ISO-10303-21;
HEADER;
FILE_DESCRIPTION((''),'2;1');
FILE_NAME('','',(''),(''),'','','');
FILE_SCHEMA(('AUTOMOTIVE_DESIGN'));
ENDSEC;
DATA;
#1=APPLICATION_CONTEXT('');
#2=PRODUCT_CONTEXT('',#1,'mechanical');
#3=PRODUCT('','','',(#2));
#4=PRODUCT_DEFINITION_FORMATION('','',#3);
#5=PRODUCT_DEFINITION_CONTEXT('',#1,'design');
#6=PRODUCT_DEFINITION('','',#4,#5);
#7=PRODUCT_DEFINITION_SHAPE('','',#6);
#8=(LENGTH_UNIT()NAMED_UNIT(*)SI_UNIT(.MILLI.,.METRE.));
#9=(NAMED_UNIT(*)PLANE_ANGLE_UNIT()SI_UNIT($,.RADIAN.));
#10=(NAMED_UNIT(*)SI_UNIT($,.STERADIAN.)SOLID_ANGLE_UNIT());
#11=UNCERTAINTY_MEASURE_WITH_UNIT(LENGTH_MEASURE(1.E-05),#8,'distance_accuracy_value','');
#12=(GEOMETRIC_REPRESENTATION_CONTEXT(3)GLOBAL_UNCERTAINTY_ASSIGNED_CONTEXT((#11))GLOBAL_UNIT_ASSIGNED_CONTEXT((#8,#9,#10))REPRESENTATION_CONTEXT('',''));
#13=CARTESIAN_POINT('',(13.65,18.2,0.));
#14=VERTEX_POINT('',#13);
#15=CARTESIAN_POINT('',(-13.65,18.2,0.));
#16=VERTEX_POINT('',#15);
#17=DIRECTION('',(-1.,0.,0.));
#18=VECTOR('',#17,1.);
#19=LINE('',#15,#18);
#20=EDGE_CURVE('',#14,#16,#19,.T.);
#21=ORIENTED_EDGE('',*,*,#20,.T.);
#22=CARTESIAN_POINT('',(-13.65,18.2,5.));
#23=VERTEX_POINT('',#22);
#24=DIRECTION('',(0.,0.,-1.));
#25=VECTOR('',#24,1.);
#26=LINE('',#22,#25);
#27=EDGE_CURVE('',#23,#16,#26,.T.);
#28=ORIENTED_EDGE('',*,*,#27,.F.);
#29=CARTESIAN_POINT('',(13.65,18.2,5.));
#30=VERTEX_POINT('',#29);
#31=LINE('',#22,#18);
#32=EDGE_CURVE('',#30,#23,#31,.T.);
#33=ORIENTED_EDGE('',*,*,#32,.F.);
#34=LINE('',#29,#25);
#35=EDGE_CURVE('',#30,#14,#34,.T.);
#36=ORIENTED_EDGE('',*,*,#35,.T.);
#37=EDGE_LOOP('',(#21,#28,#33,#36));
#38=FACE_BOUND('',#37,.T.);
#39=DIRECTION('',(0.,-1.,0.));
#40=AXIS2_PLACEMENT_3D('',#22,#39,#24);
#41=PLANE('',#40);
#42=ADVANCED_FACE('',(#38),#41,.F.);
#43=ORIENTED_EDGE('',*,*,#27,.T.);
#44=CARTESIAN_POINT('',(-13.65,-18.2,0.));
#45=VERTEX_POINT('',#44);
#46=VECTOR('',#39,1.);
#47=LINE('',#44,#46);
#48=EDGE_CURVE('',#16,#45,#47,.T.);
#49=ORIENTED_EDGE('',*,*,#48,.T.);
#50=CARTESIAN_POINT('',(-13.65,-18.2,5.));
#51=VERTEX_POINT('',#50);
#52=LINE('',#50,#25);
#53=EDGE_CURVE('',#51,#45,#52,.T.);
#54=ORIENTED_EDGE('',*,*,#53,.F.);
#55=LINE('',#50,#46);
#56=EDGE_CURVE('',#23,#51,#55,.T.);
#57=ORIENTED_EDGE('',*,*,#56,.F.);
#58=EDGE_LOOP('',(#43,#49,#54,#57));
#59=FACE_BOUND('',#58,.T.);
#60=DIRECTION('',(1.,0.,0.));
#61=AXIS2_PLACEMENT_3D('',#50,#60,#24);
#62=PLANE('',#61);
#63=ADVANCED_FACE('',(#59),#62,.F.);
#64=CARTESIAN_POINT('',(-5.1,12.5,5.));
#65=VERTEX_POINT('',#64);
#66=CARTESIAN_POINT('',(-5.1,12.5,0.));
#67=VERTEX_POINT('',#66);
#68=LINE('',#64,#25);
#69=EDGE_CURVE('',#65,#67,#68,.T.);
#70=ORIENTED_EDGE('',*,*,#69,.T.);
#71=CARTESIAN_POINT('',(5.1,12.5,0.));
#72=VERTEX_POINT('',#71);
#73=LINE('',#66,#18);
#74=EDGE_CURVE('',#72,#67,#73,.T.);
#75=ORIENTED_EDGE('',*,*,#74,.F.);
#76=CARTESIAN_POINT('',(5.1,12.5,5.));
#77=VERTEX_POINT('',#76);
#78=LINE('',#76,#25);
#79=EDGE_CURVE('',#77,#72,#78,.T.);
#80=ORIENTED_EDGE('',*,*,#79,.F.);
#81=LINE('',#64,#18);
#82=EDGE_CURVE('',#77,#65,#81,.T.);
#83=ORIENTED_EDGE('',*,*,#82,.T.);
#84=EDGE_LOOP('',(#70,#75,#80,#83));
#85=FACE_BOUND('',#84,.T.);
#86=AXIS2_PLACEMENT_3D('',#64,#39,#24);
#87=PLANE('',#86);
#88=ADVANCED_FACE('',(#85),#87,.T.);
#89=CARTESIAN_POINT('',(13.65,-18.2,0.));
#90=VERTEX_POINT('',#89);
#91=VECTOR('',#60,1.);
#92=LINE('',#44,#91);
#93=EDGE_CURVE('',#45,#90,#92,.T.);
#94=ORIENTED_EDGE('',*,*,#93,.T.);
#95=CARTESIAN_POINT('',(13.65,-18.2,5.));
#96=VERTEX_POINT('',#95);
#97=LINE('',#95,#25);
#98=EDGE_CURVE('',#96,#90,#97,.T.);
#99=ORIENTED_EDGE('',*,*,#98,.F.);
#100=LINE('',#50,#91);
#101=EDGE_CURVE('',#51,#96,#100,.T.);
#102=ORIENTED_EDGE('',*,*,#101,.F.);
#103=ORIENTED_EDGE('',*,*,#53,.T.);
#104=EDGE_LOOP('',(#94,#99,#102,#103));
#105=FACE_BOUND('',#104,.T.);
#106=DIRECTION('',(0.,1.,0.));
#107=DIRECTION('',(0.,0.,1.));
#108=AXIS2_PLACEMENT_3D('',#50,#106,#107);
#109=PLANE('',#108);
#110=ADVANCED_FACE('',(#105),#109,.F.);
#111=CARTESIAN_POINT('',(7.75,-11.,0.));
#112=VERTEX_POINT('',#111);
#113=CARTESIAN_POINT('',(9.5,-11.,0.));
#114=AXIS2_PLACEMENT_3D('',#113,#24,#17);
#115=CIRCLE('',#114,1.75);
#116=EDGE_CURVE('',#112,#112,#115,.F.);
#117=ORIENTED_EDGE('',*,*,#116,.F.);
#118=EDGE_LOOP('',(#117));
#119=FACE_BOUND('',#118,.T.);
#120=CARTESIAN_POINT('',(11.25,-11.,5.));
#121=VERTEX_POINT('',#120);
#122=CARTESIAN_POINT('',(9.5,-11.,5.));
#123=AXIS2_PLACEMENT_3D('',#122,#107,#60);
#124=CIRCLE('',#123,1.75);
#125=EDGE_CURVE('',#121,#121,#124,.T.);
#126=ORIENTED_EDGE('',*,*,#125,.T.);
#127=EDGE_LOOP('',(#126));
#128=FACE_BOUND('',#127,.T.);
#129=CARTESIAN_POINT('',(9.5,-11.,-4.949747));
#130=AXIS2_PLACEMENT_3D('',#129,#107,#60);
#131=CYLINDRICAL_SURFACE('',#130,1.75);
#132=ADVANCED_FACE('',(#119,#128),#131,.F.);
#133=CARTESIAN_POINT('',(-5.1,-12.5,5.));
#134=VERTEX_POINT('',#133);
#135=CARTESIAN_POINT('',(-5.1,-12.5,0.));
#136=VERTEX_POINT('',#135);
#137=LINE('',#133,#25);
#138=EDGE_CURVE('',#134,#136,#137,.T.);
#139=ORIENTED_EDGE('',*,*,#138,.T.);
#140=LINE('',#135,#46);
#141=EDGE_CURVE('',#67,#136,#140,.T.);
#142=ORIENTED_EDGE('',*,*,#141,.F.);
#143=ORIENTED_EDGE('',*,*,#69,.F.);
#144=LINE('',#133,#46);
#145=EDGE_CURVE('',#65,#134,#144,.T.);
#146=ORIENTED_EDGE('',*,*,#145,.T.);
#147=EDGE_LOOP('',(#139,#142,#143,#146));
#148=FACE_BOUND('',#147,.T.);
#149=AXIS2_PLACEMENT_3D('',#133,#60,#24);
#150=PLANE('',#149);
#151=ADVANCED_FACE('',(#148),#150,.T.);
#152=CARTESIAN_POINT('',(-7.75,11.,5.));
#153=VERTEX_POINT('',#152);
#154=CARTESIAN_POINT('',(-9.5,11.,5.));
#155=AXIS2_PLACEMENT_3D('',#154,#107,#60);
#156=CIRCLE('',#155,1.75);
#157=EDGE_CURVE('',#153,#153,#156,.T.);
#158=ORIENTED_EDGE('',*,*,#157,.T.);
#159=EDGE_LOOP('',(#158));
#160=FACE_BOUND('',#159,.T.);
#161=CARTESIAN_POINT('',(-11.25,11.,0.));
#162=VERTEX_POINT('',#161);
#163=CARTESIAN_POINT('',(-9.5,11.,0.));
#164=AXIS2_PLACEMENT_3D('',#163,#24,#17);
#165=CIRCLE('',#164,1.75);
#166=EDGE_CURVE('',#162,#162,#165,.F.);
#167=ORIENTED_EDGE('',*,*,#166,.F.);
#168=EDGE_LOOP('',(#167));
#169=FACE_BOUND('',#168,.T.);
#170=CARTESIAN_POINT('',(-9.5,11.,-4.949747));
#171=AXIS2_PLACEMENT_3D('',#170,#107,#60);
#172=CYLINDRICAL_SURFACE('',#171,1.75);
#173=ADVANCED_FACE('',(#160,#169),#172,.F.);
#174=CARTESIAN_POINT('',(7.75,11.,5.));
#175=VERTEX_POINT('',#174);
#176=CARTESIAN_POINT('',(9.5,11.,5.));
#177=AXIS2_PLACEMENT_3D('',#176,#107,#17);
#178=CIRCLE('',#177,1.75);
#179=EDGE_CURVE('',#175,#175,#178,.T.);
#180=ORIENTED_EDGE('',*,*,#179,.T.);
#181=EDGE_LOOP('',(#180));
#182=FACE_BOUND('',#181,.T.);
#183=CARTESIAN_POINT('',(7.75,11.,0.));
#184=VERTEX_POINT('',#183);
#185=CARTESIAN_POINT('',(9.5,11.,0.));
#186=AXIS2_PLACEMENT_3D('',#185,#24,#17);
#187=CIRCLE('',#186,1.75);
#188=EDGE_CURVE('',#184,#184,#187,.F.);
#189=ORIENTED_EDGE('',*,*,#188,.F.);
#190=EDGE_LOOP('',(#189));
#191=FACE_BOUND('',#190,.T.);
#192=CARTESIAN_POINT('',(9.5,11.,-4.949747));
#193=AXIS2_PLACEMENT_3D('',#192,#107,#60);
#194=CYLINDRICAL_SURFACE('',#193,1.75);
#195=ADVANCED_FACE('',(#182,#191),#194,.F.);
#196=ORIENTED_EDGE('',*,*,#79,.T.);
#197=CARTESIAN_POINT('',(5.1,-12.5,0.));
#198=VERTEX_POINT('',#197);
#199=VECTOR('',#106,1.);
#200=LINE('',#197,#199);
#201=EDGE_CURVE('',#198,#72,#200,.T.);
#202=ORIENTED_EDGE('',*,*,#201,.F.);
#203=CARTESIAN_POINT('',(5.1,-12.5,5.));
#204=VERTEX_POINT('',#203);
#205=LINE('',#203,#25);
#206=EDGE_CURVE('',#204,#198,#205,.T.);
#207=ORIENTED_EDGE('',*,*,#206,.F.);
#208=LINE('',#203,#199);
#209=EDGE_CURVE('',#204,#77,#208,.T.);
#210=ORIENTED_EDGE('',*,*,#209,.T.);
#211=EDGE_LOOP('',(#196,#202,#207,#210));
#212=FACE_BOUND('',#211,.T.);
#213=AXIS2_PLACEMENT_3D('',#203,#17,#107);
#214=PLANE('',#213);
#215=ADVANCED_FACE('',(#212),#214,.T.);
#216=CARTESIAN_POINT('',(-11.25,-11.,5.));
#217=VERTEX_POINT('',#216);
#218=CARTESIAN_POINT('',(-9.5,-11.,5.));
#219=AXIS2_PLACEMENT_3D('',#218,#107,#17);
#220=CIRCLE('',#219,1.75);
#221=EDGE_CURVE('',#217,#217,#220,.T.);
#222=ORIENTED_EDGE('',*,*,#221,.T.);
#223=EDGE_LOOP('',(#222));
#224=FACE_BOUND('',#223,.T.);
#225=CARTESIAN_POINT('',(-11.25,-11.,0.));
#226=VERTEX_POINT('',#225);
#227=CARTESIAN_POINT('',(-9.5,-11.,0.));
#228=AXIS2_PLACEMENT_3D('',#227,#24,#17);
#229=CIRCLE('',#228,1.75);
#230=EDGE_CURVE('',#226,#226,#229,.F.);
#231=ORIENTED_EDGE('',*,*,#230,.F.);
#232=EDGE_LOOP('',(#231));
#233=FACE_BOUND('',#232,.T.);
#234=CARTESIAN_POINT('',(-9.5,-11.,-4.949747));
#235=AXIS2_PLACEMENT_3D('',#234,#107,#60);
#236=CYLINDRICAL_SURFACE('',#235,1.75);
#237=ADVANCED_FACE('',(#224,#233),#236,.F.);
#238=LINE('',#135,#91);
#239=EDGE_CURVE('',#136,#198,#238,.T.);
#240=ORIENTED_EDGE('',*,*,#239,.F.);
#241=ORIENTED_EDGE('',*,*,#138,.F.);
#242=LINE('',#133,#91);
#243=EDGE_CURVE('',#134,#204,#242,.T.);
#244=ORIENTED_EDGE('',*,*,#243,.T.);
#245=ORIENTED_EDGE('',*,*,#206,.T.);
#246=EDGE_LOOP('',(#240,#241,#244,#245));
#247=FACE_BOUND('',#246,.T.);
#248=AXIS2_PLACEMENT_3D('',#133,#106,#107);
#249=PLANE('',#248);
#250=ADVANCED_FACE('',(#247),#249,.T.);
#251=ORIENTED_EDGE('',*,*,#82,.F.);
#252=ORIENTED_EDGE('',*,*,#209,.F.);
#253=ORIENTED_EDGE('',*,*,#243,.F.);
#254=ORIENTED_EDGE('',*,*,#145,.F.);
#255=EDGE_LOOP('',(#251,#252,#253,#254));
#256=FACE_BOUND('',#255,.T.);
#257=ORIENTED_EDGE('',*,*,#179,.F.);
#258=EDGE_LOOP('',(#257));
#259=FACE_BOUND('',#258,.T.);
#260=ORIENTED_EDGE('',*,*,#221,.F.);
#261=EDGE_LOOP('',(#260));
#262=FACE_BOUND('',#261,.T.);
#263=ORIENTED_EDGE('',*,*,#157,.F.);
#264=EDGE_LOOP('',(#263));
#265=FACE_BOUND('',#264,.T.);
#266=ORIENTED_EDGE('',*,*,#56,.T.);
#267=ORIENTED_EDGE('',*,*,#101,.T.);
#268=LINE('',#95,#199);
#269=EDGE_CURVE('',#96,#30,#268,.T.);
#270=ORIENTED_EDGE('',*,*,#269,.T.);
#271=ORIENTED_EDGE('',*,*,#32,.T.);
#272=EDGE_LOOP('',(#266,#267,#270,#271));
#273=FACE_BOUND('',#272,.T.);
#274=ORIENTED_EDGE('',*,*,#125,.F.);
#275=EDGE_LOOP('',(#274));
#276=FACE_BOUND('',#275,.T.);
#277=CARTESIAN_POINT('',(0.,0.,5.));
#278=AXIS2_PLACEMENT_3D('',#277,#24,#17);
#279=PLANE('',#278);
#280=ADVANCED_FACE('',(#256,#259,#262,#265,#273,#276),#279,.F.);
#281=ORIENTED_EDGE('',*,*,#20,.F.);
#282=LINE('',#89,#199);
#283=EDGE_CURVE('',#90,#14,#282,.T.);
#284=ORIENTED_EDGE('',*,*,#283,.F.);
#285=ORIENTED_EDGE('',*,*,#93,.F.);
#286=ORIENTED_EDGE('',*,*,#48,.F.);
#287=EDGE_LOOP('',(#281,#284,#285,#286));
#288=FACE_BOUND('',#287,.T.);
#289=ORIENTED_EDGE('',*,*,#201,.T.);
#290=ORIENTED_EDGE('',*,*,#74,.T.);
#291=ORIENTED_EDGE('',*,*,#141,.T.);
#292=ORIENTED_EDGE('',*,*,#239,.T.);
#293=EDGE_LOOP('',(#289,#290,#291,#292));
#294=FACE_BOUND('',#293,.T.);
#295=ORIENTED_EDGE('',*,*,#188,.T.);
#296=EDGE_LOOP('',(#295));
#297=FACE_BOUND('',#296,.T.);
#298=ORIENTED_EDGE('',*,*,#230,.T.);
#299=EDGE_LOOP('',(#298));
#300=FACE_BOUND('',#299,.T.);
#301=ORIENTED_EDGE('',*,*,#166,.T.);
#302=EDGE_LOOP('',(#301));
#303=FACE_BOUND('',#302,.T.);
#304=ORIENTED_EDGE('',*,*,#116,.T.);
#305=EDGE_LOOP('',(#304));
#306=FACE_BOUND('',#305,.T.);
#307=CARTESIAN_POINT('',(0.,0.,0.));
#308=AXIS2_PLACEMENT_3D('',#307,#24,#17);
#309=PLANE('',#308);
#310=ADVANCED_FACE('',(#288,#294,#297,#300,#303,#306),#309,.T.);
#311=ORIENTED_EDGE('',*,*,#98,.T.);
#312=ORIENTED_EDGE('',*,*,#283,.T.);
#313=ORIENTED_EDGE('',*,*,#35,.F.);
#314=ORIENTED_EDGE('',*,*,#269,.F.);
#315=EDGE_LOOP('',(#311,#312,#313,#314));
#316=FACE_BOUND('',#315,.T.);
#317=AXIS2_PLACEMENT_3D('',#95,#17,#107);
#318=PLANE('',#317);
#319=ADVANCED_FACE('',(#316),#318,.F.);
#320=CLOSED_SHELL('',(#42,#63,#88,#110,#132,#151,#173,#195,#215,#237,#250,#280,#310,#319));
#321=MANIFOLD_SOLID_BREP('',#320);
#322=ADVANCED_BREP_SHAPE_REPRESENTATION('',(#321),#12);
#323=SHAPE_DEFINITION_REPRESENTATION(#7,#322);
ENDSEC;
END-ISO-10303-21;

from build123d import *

# Parameters (mm, degrees)
SKETCH1_W           = 27.3
SKETCH1_H           = 36.4
SKETCH1_W_2         = 10.2
SKETCH1_H_2         = 25
BOSS_EXTRUDE1_DEPTH = 5
SKETCH2_R           = 1.75
CUT_EXTRUDE1_DEPTH  = 5


with BuildPart() as part:
    # Sketch1 → Boss-Extrude1 (new body)
    with BuildSketch(Plane.XY):
        Rectangle(SKETCH1_W, SKETCH1_H)
        Rectangle(SKETCH1_W_2, SKETCH1_H_2, mode=Mode.SUBTRACT)
    extrude(amount=BOSS_EXTRUDE1_DEPTH)

    # Sketch2 → Cut-Extrude1 (cut)
    with BuildSketch(Plane.XY.offset(5)):
        with Locations((-9.5, 11)):
            Circle(SKETCH2_R)
        with Locations(Location((9.5, 11, 0), (0, 0, 180))):
            Circle(SKETCH2_R)
        with Locations(Location((-9.5, -11, 0), (0, 0, 180))):
            Circle(SKETCH2_R)
        with Locations((9.5, -11)):
            Circle(SKETCH2_R)
    extrude(amount=-CUT_EXTRUDE1_DEPTH, mode=Mode.SUBTRACT)


solid = part.part
